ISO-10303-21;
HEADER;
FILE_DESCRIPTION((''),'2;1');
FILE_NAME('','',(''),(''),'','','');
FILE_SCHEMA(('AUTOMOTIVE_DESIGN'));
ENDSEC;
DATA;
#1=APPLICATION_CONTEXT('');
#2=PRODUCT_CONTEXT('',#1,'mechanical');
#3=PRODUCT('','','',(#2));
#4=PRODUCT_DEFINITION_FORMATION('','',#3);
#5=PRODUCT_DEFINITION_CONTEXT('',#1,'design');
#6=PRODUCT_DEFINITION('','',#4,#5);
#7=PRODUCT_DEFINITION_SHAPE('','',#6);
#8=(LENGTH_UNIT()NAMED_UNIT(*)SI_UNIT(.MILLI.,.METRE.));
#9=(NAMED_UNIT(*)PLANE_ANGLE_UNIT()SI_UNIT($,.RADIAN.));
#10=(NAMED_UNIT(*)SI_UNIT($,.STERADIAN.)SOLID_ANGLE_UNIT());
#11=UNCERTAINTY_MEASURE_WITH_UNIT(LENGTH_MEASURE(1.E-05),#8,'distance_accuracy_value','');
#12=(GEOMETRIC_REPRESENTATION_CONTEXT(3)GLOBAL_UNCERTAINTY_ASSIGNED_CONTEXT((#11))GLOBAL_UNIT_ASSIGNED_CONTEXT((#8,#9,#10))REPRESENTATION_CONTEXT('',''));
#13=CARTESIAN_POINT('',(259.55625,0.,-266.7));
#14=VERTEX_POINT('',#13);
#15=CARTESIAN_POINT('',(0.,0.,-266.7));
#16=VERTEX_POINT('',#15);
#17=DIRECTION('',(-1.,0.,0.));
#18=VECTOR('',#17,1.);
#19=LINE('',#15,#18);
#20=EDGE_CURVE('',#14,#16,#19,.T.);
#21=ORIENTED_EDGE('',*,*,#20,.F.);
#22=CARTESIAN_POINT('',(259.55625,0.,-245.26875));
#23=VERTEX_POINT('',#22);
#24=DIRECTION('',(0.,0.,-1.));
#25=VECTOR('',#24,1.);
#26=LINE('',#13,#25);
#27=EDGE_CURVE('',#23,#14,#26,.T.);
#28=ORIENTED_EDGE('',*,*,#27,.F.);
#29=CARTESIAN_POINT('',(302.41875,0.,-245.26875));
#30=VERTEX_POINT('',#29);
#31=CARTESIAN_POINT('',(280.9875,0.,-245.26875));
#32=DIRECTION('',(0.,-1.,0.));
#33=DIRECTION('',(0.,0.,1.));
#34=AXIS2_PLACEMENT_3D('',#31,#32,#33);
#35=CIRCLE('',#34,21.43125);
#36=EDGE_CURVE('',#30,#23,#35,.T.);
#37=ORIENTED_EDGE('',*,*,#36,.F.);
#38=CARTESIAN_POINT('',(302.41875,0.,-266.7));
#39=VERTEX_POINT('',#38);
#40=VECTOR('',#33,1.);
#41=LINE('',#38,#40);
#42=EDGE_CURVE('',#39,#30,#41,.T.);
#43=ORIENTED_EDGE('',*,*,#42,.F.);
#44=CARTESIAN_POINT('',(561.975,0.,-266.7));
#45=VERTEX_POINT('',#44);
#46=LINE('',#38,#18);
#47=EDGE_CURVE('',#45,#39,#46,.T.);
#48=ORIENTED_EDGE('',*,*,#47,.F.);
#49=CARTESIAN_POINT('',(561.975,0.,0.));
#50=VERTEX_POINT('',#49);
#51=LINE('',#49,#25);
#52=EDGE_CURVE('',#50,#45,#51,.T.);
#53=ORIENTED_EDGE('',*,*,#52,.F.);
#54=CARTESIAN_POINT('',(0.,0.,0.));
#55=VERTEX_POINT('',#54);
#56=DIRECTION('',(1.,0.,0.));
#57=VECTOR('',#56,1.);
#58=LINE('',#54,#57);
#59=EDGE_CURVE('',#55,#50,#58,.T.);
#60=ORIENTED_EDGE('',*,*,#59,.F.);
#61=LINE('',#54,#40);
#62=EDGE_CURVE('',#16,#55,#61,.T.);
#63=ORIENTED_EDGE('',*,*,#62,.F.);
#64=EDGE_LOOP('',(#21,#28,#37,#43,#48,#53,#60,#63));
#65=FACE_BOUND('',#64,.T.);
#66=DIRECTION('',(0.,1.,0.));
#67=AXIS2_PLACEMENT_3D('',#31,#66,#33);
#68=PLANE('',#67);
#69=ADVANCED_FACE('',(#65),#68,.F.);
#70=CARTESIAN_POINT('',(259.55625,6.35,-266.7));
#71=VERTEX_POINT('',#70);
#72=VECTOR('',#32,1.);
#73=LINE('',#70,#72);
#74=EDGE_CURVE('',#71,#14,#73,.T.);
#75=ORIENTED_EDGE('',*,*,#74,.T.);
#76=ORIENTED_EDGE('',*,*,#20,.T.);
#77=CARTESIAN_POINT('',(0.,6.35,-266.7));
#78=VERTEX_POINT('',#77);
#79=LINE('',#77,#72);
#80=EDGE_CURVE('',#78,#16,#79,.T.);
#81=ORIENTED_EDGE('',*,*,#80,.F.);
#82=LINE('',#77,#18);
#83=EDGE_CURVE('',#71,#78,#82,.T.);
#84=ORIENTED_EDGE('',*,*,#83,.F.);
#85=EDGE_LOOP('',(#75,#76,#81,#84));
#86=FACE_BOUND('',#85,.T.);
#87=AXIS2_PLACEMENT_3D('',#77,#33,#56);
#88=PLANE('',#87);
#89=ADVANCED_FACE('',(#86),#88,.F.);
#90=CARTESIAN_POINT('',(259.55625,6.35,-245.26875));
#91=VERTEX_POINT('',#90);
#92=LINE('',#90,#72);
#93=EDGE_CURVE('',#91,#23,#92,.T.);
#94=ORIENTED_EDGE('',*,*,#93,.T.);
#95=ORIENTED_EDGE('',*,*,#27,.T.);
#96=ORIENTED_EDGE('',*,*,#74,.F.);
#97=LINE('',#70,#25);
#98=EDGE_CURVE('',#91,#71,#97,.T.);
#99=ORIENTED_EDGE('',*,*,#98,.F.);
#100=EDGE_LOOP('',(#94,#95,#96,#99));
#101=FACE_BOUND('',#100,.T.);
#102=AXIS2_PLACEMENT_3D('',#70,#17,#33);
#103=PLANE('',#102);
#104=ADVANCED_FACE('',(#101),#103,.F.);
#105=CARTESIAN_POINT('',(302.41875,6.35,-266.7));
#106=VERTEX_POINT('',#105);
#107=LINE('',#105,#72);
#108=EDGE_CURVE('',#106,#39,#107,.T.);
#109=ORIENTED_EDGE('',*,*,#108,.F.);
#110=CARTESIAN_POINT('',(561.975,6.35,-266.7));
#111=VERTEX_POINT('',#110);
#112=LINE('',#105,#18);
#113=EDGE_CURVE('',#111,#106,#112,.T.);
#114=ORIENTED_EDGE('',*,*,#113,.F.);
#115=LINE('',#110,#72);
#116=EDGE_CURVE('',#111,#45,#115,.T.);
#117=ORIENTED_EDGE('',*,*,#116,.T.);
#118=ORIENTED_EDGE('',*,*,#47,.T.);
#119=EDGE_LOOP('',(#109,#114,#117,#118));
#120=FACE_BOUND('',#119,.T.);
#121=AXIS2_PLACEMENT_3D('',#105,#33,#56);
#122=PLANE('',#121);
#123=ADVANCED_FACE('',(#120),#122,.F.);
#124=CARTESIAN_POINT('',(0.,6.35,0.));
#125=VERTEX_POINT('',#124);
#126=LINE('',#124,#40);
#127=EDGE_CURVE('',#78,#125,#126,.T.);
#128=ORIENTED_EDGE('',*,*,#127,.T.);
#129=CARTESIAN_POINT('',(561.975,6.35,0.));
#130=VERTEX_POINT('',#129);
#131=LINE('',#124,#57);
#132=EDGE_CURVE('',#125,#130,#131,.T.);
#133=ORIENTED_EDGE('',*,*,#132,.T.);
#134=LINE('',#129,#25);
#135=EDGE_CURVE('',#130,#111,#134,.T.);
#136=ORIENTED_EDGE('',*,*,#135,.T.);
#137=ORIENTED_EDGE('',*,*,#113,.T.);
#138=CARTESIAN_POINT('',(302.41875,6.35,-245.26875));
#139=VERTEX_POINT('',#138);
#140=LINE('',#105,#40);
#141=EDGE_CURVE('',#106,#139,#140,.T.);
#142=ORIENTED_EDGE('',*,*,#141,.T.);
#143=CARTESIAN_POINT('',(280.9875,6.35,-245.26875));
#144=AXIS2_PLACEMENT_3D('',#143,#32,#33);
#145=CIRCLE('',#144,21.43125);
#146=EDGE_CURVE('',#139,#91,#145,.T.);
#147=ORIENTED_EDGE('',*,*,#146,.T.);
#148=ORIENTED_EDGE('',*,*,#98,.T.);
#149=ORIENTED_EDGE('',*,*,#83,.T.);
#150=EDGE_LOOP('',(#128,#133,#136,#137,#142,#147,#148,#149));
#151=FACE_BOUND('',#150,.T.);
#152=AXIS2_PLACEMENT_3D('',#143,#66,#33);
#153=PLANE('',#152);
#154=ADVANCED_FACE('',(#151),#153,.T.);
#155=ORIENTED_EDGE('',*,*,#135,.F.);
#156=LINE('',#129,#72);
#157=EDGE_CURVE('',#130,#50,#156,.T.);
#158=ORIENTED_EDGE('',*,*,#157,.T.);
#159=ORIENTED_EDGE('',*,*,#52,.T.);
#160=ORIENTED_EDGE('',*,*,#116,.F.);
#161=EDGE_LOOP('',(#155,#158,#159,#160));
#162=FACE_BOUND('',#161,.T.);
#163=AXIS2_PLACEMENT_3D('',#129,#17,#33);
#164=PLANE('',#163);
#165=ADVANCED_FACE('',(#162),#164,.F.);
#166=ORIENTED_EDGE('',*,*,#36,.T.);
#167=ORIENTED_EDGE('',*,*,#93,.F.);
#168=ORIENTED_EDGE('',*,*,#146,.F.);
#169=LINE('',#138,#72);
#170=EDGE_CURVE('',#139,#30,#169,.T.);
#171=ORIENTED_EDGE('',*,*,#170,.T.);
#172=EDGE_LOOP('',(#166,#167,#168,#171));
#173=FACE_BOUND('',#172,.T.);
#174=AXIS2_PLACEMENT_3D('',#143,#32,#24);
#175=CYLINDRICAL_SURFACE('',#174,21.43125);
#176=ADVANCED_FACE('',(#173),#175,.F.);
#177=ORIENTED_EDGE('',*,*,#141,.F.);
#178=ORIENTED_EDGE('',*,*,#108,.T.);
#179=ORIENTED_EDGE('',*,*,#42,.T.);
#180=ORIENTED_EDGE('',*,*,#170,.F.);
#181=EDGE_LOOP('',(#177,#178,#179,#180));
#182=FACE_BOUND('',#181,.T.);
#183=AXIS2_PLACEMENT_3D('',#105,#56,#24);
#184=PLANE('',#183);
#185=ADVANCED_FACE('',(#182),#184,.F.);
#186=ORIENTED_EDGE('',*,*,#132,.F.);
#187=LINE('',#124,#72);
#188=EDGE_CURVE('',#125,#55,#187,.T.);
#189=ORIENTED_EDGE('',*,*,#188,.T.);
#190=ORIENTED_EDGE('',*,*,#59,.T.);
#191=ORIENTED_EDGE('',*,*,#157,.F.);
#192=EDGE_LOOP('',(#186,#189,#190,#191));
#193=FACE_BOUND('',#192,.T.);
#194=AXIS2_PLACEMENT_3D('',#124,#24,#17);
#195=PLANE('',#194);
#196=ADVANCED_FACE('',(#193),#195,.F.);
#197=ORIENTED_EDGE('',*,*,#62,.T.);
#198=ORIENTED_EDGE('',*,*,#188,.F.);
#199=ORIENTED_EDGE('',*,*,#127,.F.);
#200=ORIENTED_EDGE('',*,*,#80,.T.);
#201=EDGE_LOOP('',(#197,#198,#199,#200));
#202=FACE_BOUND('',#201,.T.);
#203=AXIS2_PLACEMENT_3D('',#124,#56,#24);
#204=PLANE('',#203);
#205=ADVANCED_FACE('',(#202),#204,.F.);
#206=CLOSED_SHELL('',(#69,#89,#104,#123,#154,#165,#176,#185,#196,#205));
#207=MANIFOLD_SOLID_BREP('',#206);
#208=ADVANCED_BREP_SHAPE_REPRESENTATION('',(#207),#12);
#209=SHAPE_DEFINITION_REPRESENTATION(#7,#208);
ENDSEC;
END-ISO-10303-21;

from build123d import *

# Parameters (mm, degrees)
BOSS_EXTRUDE1_DEPTH = 6.35


with BuildPart() as part:
    # Sketch2 → Boss-Extrude1 (new body)
    with BuildSketch(Plane(origin=(0, 0, 0), x_dir=(1, 0, 0), z_dir=(0, 1, 0))):
        with BuildLine():
            Line((302.41875, 266.7), (561.975, 266.7))
            Line((561.975, 266.7), (561.975, 0))
            Line((561.975, 0), (0, 0))
            Line((0, 0), (0, 266.7))
            Line((0, 266.7), (259.55625, 266.7))
            Line((259.55625, 266.7), (259.55625, 245.26875))
            ThreePointArc((259.55625, 245.26875), (280.9875, 223.8375), (302.41875, 245.26875))
            Line((302.41875, 245.26875), (302.41875, 266.7))
        make_face()
    extrude(amount=BOSS_EXTRUDE1_DEPTH)


solid = part.part
